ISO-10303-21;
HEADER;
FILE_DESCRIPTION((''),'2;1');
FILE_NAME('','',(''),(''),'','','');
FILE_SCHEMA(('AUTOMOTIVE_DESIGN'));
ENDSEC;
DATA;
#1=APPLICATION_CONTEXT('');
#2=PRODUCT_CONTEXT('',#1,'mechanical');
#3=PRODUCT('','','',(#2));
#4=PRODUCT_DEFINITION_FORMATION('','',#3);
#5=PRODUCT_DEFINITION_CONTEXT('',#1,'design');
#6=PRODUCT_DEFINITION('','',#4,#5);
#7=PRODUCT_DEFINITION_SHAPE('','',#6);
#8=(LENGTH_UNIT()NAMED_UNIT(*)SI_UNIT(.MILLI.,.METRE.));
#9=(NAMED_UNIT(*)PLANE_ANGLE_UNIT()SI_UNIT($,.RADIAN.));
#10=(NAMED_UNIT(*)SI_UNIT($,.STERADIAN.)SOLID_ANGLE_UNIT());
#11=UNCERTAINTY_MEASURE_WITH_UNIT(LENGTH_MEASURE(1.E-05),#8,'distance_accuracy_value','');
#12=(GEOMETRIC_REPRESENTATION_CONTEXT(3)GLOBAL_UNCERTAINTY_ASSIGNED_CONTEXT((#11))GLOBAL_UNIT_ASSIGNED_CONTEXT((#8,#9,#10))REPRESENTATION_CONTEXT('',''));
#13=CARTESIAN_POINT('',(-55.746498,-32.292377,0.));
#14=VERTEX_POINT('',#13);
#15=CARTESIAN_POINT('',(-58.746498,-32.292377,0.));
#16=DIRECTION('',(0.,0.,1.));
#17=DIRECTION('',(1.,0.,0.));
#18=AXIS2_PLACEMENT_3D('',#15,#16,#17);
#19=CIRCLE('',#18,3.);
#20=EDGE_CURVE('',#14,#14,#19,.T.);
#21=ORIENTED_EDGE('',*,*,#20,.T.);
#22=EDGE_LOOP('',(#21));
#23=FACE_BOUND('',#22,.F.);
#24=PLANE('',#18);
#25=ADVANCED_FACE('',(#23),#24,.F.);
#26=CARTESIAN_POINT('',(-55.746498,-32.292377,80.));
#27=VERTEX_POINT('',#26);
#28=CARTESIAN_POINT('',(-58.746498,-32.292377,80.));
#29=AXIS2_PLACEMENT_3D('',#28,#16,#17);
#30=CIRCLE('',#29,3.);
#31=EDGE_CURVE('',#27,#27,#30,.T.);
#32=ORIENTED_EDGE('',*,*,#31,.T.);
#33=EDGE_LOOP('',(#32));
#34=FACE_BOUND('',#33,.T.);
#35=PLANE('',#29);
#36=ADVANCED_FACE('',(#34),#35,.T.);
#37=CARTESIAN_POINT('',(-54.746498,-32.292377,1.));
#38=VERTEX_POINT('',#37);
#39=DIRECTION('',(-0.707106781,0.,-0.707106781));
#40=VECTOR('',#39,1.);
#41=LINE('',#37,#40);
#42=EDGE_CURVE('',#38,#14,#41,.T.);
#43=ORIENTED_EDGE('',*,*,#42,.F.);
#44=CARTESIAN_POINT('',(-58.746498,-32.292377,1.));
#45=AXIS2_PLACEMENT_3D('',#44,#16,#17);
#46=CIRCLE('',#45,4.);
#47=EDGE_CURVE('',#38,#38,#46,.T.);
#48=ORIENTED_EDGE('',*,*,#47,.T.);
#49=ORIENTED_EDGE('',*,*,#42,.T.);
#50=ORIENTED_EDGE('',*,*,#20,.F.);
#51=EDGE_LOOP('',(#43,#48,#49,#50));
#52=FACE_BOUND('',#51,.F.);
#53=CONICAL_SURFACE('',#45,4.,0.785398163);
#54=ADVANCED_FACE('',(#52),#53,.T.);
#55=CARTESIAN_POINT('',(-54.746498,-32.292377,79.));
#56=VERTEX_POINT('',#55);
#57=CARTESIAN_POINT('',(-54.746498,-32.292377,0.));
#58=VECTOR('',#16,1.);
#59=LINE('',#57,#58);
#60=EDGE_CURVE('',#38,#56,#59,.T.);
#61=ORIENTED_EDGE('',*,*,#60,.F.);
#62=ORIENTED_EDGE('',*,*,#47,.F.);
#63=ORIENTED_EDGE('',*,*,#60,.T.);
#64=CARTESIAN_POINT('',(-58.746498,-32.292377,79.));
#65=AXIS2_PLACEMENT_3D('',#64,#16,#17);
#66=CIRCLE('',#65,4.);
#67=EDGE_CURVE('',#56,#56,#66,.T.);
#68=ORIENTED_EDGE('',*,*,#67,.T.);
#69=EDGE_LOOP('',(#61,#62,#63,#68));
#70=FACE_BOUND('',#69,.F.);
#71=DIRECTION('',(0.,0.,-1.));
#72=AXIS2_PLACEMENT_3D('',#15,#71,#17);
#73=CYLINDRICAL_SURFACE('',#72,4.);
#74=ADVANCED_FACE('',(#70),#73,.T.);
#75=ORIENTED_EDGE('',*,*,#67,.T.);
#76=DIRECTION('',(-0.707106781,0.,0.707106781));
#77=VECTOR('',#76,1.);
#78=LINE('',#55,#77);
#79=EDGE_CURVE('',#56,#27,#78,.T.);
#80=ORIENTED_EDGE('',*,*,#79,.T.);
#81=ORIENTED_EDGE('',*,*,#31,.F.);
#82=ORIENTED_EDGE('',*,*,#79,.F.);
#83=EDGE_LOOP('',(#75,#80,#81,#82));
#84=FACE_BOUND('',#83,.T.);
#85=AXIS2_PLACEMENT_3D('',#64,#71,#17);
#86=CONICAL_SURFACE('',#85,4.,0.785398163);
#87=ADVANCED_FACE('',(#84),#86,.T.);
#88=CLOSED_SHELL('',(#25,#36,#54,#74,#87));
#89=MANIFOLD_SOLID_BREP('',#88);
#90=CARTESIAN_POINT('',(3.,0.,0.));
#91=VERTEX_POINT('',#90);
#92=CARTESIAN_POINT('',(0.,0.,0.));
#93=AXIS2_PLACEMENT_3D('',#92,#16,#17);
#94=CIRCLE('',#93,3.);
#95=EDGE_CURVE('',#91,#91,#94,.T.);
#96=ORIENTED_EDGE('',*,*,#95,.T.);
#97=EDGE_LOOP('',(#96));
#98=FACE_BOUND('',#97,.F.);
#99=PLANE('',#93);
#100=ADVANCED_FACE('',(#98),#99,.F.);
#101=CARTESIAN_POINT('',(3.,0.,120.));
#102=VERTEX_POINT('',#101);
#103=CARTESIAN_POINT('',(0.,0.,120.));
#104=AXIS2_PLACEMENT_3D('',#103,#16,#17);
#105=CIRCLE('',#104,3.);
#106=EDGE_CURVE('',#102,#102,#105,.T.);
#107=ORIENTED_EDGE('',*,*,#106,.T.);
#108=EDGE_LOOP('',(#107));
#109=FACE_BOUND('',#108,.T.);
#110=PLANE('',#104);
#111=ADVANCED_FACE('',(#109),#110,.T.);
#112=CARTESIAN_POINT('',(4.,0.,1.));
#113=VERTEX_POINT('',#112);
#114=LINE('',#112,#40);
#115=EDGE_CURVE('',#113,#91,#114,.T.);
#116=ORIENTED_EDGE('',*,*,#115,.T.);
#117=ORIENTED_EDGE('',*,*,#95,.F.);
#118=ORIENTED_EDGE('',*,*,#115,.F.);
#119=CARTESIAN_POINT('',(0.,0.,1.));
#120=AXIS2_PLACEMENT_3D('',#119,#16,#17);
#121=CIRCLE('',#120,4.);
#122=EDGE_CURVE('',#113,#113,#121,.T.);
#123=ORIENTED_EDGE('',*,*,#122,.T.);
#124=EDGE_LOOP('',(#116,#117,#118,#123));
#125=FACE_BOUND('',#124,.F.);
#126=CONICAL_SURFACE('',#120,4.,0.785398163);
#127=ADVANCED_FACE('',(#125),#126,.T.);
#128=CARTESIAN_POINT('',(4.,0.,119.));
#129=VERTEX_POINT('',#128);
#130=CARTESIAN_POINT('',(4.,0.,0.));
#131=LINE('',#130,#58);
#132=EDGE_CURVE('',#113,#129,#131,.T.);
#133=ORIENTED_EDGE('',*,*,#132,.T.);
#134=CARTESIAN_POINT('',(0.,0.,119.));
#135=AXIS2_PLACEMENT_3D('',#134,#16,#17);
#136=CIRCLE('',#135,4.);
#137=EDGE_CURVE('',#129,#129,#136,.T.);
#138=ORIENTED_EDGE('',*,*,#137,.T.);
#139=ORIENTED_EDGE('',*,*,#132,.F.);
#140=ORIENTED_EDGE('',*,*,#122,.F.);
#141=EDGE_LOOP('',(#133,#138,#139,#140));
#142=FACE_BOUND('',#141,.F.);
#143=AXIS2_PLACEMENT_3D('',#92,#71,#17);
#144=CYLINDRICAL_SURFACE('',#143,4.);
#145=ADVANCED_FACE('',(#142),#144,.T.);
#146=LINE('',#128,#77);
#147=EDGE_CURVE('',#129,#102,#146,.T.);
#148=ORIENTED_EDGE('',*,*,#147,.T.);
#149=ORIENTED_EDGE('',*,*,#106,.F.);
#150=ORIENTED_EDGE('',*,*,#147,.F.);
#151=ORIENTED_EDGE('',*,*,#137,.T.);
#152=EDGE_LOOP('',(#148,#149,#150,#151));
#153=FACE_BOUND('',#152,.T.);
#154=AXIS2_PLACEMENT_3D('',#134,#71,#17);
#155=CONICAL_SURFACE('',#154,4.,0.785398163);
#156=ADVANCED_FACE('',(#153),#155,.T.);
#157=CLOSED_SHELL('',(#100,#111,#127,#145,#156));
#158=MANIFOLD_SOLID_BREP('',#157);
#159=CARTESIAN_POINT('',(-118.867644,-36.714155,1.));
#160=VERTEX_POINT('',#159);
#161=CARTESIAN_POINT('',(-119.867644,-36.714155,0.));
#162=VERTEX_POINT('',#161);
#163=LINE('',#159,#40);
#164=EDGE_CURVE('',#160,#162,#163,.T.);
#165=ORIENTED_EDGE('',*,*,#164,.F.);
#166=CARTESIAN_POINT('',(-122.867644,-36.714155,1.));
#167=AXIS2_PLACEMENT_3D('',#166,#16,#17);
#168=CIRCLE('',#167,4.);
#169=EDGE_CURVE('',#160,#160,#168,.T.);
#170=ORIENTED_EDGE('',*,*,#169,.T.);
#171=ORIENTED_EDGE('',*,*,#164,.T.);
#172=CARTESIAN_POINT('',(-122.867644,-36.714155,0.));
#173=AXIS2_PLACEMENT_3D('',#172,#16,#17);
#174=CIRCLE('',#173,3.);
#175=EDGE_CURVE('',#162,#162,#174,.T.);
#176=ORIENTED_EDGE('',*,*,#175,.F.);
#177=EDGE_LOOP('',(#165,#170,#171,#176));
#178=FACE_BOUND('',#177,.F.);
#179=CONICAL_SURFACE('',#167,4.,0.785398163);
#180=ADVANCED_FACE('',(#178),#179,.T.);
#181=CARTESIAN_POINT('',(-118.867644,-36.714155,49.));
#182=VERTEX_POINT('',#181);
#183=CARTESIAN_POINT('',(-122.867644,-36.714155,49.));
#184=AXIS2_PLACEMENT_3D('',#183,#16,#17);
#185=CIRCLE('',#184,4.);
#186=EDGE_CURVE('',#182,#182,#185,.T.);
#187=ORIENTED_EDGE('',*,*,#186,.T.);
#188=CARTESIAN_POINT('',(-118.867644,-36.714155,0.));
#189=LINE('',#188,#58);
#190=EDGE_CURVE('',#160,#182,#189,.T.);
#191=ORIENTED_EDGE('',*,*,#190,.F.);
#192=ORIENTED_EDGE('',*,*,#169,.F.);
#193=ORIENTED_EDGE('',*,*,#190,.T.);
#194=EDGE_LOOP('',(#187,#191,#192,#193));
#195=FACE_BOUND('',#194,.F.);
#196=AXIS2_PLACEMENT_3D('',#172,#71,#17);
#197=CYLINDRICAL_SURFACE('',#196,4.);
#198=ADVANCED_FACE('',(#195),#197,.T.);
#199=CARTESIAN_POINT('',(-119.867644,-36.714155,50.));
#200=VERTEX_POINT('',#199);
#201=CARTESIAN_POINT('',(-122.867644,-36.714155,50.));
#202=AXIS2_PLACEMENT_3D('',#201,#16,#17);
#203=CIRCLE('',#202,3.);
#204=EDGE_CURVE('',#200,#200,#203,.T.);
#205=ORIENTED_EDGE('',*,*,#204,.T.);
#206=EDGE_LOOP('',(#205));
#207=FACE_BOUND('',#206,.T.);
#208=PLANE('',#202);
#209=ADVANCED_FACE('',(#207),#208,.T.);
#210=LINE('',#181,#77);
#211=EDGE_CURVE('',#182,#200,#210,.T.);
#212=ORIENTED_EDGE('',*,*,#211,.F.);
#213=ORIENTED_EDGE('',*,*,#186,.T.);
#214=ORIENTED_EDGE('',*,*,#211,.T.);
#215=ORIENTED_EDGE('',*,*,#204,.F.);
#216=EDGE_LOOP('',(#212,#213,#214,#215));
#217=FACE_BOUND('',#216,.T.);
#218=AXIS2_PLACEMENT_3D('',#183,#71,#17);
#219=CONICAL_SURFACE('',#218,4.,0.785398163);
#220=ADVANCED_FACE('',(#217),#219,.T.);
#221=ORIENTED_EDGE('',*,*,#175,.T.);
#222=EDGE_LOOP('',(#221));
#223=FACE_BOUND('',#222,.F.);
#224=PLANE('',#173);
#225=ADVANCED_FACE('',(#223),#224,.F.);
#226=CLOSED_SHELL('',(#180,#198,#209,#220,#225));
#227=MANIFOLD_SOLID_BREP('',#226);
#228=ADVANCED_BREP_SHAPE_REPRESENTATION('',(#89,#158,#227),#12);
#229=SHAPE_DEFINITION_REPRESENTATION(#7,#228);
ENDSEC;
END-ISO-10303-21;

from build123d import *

# Parameters (mm, degrees)
F0_R     = 4
F1_DEPTH = 120
F2_SIZE  = 1
F3_R     = 4
F4_DEPTH = 50
F5_SIZE  = 1
F6_R     = 4
F7_DEPTH = 80
F8_SIZE  = 1


with BuildPart() as f1:
    # F0 (on Top) → F1 (new body)
    with BuildSketch(Plane.XY):
        Circle(F0_R)
    extrude(amount=F1_DEPTH)

    # F2
    f2_edges = [f1.edges().sort_by_distance(p)[0] for p in [
        (-4, 0, 120),
        (-4, 0, 0),
    ]]
    chamfer(f2_edges, length=F2_SIZE)


with BuildPart() as f4:
    # F3 (on Top) → F4 (new body)
    with BuildSketch(Plane.XY):
        with Locations((-122.867644, -36.714155)):
            Circle(F3_R)
    extrude(amount=F4_DEPTH)

    # F5
    f5_edges = [f4.edges().sort_by_distance(p)[0] for p in [
        (-126.867644, -36.714155, 50),
        (-126.867644, -36.714155, 0),
    ]]
    chamfer(f5_edges, length=F5_SIZE)


with BuildPart() as f7:
    # F6 (on Top) → F7 (new body)
    with BuildSketch(Plane.XY):
        with Locations((-58.746498, -32.292377)):
            Circle(F6_R)
    extrude(amount=F7_DEPTH)

    # F8
    f8_edges = [f7.edges().sort_by_distance(p)[0] for p in [
        (-62.746498, -32.292377, 80),
        (-62.746498, -32.292377, 0),
    ]]
    chamfer(f8_edges, length=F8_SIZE)


solid = Compound([f1.part, f4.part, f7.part])
